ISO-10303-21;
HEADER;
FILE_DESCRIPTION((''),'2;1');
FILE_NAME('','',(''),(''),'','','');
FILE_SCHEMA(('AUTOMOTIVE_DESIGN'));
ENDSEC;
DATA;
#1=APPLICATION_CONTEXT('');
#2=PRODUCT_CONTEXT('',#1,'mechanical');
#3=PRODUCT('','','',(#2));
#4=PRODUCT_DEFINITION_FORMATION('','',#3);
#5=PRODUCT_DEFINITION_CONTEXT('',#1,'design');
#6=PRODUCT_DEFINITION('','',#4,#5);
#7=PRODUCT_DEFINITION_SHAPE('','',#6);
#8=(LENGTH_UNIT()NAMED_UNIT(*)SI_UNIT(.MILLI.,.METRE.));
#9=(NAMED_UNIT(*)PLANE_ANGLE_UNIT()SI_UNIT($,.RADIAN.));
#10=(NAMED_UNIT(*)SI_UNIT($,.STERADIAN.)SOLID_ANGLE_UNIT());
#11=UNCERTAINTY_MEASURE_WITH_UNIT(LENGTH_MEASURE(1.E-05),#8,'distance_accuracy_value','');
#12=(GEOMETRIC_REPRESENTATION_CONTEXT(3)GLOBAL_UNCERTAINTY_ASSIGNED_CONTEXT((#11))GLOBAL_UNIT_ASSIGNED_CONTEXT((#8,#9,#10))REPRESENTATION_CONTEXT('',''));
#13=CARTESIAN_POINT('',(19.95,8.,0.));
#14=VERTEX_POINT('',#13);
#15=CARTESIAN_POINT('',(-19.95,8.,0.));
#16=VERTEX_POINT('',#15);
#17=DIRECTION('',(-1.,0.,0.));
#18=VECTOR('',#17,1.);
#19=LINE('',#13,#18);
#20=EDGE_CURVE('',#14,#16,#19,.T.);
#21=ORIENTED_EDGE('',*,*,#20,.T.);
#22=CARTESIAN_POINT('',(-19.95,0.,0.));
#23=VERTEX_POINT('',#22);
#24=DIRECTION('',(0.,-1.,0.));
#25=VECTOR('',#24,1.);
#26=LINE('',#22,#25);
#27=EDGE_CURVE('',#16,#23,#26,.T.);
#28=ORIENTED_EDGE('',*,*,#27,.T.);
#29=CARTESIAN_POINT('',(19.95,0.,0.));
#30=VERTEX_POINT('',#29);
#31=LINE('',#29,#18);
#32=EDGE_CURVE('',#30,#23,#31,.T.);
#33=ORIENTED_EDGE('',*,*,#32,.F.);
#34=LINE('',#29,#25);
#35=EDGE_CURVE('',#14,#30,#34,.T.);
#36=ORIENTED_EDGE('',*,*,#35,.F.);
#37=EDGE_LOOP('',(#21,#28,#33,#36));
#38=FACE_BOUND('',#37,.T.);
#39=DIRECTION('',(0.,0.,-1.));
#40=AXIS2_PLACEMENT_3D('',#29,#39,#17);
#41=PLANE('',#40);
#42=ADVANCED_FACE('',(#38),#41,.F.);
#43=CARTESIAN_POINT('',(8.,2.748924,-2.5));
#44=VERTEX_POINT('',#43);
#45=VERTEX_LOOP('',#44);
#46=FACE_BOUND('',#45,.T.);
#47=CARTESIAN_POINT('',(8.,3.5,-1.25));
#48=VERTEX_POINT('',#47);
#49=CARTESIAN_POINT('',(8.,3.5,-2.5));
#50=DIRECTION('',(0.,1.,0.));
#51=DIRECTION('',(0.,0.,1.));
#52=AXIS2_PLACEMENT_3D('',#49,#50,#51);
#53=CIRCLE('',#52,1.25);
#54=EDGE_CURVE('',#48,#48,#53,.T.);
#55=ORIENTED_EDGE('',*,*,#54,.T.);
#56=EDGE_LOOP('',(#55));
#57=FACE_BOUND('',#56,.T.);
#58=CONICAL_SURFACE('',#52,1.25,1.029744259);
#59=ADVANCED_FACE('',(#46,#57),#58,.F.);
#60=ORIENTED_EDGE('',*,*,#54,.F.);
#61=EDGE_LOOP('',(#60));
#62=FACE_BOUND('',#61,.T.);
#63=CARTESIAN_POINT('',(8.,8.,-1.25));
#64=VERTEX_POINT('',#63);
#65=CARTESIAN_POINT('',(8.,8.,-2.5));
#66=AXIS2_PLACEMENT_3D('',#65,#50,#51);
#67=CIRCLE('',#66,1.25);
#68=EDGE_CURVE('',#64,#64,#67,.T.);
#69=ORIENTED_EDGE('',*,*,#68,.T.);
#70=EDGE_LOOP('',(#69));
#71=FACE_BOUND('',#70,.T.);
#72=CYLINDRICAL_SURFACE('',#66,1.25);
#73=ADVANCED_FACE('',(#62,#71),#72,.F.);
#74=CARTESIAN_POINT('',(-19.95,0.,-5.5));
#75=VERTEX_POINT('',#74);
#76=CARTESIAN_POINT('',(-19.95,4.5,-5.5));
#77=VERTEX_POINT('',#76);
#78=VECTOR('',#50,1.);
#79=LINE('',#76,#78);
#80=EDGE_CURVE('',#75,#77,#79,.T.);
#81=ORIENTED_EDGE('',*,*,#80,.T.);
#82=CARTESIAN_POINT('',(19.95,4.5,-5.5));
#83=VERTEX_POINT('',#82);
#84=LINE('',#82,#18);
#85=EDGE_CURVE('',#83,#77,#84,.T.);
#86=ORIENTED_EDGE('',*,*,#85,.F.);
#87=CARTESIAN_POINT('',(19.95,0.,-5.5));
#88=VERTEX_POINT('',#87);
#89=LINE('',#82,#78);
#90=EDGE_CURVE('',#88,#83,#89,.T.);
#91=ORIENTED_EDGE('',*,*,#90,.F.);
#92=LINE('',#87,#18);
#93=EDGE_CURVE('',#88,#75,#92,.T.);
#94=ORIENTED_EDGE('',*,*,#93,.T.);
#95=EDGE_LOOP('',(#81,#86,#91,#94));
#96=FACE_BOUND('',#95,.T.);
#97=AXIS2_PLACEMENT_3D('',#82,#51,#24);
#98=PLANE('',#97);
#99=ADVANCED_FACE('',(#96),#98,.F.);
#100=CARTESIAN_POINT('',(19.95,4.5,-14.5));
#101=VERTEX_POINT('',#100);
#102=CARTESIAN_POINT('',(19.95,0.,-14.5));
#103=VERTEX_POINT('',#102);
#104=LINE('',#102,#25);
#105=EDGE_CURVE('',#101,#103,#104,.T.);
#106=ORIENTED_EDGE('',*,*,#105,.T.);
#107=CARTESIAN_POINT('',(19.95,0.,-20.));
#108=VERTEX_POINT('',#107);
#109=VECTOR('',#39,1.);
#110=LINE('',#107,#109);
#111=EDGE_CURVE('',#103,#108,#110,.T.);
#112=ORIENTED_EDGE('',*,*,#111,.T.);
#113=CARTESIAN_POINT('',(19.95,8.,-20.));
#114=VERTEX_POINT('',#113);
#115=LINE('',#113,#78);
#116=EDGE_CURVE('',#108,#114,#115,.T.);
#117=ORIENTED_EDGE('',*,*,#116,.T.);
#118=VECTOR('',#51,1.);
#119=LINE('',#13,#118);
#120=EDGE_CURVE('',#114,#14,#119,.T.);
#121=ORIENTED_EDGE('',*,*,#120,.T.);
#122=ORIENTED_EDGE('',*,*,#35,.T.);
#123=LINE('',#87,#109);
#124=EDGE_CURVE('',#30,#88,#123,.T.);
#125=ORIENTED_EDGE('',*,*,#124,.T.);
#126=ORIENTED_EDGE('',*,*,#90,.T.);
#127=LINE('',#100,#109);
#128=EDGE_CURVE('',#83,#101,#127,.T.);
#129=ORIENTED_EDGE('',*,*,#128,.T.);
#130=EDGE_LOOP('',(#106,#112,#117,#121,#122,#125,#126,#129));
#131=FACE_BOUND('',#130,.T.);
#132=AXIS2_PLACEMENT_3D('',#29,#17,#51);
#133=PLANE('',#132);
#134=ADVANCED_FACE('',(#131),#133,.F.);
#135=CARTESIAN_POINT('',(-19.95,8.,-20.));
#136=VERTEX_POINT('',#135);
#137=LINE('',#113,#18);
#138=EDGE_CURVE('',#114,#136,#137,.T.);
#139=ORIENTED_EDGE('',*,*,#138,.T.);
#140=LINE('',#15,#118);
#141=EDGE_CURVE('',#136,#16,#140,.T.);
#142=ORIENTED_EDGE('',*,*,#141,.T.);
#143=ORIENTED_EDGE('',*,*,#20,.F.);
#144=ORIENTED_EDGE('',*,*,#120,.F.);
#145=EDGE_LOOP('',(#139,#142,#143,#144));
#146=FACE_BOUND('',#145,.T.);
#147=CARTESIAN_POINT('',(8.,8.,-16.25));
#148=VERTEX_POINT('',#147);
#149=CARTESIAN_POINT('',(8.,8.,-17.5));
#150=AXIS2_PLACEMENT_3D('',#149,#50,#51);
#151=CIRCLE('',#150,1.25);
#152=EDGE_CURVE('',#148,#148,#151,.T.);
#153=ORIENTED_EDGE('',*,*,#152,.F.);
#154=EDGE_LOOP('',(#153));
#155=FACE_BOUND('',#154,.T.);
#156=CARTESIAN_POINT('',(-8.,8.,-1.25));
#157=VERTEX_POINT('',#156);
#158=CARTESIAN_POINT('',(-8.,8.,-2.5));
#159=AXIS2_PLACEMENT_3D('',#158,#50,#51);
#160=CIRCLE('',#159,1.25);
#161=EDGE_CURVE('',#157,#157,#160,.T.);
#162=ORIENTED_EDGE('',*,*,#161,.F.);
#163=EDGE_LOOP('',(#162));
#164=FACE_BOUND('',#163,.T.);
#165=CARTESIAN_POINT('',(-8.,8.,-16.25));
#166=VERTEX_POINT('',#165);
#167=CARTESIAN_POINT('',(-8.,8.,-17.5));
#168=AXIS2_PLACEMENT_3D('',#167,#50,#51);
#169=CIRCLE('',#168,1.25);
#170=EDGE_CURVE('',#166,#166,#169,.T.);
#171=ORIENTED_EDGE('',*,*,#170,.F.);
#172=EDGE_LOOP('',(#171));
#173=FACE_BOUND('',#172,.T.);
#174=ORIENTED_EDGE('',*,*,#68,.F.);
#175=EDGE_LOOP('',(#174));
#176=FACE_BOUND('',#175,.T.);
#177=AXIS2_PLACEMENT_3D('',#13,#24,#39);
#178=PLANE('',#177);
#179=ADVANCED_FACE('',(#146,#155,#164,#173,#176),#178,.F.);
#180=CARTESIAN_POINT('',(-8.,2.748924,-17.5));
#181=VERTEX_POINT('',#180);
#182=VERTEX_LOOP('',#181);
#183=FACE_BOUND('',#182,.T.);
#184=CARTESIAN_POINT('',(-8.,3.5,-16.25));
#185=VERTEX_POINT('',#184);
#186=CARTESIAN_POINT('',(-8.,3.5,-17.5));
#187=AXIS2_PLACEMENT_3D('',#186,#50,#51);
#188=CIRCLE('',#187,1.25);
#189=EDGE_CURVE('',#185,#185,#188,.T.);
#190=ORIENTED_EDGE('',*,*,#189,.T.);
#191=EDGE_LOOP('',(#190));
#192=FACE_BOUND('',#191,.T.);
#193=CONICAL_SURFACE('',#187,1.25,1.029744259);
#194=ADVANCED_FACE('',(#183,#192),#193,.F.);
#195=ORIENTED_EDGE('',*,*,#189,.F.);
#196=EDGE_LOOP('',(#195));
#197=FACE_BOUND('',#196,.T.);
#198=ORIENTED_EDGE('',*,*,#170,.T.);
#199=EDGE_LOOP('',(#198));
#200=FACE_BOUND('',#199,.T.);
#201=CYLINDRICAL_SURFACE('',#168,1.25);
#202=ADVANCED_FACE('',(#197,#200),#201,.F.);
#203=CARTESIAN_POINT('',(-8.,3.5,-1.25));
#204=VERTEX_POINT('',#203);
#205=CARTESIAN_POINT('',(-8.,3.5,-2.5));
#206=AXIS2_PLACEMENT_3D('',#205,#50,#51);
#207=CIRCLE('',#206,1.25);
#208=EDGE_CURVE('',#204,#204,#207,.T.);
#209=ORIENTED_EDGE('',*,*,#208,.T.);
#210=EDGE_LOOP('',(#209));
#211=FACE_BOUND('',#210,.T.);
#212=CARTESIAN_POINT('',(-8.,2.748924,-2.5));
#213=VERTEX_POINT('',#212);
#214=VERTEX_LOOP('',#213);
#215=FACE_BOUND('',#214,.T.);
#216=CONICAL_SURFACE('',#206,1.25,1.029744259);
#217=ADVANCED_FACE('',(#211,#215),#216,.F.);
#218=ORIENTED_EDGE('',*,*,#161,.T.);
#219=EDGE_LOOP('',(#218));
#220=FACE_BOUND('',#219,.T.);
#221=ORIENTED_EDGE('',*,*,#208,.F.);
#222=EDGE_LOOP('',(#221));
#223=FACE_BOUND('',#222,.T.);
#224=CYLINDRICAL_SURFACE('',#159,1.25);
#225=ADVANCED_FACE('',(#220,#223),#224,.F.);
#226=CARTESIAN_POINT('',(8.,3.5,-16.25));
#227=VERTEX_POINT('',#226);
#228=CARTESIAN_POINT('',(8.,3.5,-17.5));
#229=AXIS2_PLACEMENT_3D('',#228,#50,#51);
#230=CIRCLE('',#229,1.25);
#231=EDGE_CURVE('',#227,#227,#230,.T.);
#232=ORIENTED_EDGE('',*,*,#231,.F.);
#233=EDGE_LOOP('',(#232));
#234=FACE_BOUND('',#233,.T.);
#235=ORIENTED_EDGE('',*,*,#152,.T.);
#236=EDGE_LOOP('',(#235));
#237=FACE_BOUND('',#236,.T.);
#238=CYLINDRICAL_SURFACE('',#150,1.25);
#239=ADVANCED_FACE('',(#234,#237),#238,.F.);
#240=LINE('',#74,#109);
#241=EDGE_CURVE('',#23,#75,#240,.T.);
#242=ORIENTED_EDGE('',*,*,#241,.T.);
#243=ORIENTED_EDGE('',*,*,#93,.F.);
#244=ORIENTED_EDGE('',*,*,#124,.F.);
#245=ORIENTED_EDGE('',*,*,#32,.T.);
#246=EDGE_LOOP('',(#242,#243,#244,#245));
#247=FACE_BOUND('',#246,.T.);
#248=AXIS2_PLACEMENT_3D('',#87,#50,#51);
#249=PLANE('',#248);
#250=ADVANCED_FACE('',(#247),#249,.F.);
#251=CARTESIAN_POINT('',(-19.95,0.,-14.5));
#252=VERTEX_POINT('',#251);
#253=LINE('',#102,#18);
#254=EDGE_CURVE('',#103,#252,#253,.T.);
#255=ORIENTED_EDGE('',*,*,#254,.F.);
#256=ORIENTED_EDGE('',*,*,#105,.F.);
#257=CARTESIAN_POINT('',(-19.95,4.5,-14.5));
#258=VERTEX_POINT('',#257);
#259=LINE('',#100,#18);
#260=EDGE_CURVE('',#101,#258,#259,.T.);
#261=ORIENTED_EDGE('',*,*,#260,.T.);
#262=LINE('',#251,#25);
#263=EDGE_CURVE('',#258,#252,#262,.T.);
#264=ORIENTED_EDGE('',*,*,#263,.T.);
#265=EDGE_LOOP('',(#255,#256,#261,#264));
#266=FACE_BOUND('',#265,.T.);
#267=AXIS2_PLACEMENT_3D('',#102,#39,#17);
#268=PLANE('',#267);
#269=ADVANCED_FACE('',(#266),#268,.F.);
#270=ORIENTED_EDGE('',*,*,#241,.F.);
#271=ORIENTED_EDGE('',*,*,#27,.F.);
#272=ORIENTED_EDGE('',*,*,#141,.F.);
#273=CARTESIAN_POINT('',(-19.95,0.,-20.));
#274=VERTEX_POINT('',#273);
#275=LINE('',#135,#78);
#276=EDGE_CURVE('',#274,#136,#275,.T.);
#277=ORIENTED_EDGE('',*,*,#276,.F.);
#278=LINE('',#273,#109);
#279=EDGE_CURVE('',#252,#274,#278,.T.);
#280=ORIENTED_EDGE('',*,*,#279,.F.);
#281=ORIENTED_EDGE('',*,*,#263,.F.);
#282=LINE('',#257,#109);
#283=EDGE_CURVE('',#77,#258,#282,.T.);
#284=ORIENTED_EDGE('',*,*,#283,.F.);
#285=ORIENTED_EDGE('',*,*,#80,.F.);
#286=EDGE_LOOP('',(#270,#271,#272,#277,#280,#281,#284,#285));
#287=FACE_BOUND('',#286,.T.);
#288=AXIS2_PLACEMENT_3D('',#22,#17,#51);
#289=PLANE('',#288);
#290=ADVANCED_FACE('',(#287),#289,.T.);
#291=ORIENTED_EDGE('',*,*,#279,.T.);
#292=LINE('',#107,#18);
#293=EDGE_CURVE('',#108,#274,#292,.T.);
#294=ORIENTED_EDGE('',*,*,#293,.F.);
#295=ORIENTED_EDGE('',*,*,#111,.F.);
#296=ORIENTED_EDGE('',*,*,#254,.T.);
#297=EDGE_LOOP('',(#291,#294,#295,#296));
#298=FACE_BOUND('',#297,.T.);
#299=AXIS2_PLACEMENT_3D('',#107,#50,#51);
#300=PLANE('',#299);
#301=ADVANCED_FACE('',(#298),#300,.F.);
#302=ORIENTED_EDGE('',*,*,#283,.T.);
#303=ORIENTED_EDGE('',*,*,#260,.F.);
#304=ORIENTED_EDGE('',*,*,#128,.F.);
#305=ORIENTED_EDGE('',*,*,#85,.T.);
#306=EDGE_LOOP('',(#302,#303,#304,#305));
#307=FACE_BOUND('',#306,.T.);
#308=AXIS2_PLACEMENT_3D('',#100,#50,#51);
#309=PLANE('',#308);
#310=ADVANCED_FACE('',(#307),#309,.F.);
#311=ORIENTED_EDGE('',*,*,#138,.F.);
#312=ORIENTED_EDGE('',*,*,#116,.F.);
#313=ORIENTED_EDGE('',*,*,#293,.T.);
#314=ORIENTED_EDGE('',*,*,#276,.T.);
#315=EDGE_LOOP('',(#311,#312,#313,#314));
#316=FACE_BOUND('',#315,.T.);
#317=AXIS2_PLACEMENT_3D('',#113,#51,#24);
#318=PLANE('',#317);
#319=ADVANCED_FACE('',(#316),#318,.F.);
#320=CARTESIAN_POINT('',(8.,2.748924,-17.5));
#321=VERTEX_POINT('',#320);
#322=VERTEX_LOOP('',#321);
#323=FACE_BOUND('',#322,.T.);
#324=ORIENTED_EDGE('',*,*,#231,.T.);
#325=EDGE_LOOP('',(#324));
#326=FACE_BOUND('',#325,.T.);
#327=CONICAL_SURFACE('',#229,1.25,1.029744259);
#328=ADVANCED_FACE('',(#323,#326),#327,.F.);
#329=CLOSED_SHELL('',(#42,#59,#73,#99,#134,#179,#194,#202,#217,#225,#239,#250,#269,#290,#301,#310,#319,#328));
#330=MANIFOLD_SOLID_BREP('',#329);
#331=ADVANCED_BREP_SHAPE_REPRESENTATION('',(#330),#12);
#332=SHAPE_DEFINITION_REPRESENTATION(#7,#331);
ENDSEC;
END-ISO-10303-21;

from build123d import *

# Parameters (mm, degrees)
EXTRUDE_1_DEPTH        = 19.95
HOLE_WIZARD_M3_1_D     = 2.5
HOLE_WIZARD_M3_1_DEPTH = 4.5
HOLE_WIZARD_M3_1_TIP   = 0.751075774


with BuildPart() as part:
    # 草图1 → 凸台-拉伸1 (new, symmetric)
    with BuildSketch(Plane(origin=(0, 0, 0), x_dir=(0, 0, -1), z_dir=(1, 0, 0))):
        Polygon((0, 0), (0, 8), (20, 8), (20, 0), (14.5, 0), (14.5, 4.5), (5.5, 4.5), (5.5, 0), align=None)
    extrude(amount=EXTRUDE_1_DEPTH, both=True)

    # M3 螺纹孔1
    with Locations(Plane(origin=(0, 8, 0), x_dir=(1, 0, 0), z_dir=(0, 1, 0))):
        with Locations((-8, 17.5), (8, 17.5), (8, 2.5), (-8, 2.5)):
            Hole(HOLE_WIZARD_M3_1_D / 2, depth=HOLE_WIZARD_M3_1_DEPTH)
            with Locations((0, 0, -(HOLE_WIZARD_M3_1_DEPTH + HOLE_WIZARD_M3_1_TIP / 2))):  # 118° drill point
                Cone(0, HOLE_WIZARD_M3_1_D / 2, HOLE_WIZARD_M3_1_TIP, mode=Mode.SUBTRACT)


solid = part.part
